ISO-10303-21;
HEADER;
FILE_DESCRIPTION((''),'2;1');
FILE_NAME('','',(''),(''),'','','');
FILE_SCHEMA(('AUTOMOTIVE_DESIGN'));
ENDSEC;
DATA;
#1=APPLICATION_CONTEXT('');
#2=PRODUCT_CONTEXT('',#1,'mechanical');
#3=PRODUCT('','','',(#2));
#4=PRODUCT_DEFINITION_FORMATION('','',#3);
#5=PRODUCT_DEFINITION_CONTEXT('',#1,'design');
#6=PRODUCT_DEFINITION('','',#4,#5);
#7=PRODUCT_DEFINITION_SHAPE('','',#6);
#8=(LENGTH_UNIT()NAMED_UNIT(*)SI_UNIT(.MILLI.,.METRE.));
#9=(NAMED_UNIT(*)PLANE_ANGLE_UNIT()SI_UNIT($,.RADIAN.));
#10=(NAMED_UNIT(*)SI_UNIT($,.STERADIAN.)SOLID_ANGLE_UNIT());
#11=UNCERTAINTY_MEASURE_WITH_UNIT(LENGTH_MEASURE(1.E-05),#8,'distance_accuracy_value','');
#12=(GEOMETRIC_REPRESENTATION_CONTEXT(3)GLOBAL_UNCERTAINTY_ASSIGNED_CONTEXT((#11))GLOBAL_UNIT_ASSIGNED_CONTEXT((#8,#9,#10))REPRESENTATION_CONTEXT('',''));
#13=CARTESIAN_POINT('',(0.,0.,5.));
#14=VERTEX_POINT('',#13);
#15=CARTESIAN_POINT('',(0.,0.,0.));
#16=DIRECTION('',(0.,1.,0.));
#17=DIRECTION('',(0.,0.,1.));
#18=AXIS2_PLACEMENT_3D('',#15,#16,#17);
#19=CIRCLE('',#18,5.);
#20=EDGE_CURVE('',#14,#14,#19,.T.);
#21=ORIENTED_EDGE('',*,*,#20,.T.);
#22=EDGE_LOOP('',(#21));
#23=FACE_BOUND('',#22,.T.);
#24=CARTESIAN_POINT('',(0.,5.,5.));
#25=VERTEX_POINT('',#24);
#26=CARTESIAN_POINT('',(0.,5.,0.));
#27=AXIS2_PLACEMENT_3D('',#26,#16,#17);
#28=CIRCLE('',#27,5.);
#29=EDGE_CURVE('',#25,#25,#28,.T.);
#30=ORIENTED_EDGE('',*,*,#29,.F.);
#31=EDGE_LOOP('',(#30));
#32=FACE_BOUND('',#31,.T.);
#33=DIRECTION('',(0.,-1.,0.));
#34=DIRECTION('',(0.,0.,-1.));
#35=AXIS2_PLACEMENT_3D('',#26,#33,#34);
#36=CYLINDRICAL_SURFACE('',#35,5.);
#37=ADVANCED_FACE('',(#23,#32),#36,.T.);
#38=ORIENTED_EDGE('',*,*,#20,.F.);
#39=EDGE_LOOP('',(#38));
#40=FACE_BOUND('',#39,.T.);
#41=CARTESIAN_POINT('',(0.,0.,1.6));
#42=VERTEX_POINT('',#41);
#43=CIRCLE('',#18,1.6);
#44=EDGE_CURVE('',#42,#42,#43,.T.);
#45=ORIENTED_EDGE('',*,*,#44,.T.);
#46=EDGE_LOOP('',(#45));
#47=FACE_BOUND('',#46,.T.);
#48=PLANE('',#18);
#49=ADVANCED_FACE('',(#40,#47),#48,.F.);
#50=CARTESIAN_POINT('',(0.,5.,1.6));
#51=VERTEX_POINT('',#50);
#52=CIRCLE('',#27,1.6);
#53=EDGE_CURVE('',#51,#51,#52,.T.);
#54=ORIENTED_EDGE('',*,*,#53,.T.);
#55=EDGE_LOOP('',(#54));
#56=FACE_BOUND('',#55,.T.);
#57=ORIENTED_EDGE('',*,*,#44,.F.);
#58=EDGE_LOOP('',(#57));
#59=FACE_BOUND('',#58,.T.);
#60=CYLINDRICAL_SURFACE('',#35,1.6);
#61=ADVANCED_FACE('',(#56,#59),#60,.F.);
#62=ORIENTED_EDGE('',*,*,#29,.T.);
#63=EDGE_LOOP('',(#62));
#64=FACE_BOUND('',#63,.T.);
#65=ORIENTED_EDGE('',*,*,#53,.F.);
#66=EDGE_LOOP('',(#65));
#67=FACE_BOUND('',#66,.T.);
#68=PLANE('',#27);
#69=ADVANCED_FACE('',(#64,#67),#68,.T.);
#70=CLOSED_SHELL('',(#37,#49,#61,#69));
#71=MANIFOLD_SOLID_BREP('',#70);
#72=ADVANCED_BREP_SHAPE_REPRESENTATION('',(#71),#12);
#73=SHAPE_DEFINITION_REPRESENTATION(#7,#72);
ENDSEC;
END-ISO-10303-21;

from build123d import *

# Parameters (mm, degrees)
SKETCH_1_R      = 5
SKETCH_1_R_2    = 1.6
EXTRUDE_1_DEPTH = 5


with BuildPart() as part:
    # ｽｹｯﾁ1 → ﾎﾞｽ - 押し出し1 (new body)
    with BuildSketch(Plane(origin=(0, 0, 0), x_dir=(1, 0, 0), z_dir=(0, 1, 0))):
        with Locations(Location((0, 0, 0), (0, 0, 270))):
            Circle(SKETCH_1_R)
        with Locations(Location((0, 0, 0), (0, 0, 270))):
            Circle(SKETCH_1_R_2, mode=Mode.SUBTRACT)
    extrude(amount=EXTRUDE_1_DEPTH)


solid = part.part
